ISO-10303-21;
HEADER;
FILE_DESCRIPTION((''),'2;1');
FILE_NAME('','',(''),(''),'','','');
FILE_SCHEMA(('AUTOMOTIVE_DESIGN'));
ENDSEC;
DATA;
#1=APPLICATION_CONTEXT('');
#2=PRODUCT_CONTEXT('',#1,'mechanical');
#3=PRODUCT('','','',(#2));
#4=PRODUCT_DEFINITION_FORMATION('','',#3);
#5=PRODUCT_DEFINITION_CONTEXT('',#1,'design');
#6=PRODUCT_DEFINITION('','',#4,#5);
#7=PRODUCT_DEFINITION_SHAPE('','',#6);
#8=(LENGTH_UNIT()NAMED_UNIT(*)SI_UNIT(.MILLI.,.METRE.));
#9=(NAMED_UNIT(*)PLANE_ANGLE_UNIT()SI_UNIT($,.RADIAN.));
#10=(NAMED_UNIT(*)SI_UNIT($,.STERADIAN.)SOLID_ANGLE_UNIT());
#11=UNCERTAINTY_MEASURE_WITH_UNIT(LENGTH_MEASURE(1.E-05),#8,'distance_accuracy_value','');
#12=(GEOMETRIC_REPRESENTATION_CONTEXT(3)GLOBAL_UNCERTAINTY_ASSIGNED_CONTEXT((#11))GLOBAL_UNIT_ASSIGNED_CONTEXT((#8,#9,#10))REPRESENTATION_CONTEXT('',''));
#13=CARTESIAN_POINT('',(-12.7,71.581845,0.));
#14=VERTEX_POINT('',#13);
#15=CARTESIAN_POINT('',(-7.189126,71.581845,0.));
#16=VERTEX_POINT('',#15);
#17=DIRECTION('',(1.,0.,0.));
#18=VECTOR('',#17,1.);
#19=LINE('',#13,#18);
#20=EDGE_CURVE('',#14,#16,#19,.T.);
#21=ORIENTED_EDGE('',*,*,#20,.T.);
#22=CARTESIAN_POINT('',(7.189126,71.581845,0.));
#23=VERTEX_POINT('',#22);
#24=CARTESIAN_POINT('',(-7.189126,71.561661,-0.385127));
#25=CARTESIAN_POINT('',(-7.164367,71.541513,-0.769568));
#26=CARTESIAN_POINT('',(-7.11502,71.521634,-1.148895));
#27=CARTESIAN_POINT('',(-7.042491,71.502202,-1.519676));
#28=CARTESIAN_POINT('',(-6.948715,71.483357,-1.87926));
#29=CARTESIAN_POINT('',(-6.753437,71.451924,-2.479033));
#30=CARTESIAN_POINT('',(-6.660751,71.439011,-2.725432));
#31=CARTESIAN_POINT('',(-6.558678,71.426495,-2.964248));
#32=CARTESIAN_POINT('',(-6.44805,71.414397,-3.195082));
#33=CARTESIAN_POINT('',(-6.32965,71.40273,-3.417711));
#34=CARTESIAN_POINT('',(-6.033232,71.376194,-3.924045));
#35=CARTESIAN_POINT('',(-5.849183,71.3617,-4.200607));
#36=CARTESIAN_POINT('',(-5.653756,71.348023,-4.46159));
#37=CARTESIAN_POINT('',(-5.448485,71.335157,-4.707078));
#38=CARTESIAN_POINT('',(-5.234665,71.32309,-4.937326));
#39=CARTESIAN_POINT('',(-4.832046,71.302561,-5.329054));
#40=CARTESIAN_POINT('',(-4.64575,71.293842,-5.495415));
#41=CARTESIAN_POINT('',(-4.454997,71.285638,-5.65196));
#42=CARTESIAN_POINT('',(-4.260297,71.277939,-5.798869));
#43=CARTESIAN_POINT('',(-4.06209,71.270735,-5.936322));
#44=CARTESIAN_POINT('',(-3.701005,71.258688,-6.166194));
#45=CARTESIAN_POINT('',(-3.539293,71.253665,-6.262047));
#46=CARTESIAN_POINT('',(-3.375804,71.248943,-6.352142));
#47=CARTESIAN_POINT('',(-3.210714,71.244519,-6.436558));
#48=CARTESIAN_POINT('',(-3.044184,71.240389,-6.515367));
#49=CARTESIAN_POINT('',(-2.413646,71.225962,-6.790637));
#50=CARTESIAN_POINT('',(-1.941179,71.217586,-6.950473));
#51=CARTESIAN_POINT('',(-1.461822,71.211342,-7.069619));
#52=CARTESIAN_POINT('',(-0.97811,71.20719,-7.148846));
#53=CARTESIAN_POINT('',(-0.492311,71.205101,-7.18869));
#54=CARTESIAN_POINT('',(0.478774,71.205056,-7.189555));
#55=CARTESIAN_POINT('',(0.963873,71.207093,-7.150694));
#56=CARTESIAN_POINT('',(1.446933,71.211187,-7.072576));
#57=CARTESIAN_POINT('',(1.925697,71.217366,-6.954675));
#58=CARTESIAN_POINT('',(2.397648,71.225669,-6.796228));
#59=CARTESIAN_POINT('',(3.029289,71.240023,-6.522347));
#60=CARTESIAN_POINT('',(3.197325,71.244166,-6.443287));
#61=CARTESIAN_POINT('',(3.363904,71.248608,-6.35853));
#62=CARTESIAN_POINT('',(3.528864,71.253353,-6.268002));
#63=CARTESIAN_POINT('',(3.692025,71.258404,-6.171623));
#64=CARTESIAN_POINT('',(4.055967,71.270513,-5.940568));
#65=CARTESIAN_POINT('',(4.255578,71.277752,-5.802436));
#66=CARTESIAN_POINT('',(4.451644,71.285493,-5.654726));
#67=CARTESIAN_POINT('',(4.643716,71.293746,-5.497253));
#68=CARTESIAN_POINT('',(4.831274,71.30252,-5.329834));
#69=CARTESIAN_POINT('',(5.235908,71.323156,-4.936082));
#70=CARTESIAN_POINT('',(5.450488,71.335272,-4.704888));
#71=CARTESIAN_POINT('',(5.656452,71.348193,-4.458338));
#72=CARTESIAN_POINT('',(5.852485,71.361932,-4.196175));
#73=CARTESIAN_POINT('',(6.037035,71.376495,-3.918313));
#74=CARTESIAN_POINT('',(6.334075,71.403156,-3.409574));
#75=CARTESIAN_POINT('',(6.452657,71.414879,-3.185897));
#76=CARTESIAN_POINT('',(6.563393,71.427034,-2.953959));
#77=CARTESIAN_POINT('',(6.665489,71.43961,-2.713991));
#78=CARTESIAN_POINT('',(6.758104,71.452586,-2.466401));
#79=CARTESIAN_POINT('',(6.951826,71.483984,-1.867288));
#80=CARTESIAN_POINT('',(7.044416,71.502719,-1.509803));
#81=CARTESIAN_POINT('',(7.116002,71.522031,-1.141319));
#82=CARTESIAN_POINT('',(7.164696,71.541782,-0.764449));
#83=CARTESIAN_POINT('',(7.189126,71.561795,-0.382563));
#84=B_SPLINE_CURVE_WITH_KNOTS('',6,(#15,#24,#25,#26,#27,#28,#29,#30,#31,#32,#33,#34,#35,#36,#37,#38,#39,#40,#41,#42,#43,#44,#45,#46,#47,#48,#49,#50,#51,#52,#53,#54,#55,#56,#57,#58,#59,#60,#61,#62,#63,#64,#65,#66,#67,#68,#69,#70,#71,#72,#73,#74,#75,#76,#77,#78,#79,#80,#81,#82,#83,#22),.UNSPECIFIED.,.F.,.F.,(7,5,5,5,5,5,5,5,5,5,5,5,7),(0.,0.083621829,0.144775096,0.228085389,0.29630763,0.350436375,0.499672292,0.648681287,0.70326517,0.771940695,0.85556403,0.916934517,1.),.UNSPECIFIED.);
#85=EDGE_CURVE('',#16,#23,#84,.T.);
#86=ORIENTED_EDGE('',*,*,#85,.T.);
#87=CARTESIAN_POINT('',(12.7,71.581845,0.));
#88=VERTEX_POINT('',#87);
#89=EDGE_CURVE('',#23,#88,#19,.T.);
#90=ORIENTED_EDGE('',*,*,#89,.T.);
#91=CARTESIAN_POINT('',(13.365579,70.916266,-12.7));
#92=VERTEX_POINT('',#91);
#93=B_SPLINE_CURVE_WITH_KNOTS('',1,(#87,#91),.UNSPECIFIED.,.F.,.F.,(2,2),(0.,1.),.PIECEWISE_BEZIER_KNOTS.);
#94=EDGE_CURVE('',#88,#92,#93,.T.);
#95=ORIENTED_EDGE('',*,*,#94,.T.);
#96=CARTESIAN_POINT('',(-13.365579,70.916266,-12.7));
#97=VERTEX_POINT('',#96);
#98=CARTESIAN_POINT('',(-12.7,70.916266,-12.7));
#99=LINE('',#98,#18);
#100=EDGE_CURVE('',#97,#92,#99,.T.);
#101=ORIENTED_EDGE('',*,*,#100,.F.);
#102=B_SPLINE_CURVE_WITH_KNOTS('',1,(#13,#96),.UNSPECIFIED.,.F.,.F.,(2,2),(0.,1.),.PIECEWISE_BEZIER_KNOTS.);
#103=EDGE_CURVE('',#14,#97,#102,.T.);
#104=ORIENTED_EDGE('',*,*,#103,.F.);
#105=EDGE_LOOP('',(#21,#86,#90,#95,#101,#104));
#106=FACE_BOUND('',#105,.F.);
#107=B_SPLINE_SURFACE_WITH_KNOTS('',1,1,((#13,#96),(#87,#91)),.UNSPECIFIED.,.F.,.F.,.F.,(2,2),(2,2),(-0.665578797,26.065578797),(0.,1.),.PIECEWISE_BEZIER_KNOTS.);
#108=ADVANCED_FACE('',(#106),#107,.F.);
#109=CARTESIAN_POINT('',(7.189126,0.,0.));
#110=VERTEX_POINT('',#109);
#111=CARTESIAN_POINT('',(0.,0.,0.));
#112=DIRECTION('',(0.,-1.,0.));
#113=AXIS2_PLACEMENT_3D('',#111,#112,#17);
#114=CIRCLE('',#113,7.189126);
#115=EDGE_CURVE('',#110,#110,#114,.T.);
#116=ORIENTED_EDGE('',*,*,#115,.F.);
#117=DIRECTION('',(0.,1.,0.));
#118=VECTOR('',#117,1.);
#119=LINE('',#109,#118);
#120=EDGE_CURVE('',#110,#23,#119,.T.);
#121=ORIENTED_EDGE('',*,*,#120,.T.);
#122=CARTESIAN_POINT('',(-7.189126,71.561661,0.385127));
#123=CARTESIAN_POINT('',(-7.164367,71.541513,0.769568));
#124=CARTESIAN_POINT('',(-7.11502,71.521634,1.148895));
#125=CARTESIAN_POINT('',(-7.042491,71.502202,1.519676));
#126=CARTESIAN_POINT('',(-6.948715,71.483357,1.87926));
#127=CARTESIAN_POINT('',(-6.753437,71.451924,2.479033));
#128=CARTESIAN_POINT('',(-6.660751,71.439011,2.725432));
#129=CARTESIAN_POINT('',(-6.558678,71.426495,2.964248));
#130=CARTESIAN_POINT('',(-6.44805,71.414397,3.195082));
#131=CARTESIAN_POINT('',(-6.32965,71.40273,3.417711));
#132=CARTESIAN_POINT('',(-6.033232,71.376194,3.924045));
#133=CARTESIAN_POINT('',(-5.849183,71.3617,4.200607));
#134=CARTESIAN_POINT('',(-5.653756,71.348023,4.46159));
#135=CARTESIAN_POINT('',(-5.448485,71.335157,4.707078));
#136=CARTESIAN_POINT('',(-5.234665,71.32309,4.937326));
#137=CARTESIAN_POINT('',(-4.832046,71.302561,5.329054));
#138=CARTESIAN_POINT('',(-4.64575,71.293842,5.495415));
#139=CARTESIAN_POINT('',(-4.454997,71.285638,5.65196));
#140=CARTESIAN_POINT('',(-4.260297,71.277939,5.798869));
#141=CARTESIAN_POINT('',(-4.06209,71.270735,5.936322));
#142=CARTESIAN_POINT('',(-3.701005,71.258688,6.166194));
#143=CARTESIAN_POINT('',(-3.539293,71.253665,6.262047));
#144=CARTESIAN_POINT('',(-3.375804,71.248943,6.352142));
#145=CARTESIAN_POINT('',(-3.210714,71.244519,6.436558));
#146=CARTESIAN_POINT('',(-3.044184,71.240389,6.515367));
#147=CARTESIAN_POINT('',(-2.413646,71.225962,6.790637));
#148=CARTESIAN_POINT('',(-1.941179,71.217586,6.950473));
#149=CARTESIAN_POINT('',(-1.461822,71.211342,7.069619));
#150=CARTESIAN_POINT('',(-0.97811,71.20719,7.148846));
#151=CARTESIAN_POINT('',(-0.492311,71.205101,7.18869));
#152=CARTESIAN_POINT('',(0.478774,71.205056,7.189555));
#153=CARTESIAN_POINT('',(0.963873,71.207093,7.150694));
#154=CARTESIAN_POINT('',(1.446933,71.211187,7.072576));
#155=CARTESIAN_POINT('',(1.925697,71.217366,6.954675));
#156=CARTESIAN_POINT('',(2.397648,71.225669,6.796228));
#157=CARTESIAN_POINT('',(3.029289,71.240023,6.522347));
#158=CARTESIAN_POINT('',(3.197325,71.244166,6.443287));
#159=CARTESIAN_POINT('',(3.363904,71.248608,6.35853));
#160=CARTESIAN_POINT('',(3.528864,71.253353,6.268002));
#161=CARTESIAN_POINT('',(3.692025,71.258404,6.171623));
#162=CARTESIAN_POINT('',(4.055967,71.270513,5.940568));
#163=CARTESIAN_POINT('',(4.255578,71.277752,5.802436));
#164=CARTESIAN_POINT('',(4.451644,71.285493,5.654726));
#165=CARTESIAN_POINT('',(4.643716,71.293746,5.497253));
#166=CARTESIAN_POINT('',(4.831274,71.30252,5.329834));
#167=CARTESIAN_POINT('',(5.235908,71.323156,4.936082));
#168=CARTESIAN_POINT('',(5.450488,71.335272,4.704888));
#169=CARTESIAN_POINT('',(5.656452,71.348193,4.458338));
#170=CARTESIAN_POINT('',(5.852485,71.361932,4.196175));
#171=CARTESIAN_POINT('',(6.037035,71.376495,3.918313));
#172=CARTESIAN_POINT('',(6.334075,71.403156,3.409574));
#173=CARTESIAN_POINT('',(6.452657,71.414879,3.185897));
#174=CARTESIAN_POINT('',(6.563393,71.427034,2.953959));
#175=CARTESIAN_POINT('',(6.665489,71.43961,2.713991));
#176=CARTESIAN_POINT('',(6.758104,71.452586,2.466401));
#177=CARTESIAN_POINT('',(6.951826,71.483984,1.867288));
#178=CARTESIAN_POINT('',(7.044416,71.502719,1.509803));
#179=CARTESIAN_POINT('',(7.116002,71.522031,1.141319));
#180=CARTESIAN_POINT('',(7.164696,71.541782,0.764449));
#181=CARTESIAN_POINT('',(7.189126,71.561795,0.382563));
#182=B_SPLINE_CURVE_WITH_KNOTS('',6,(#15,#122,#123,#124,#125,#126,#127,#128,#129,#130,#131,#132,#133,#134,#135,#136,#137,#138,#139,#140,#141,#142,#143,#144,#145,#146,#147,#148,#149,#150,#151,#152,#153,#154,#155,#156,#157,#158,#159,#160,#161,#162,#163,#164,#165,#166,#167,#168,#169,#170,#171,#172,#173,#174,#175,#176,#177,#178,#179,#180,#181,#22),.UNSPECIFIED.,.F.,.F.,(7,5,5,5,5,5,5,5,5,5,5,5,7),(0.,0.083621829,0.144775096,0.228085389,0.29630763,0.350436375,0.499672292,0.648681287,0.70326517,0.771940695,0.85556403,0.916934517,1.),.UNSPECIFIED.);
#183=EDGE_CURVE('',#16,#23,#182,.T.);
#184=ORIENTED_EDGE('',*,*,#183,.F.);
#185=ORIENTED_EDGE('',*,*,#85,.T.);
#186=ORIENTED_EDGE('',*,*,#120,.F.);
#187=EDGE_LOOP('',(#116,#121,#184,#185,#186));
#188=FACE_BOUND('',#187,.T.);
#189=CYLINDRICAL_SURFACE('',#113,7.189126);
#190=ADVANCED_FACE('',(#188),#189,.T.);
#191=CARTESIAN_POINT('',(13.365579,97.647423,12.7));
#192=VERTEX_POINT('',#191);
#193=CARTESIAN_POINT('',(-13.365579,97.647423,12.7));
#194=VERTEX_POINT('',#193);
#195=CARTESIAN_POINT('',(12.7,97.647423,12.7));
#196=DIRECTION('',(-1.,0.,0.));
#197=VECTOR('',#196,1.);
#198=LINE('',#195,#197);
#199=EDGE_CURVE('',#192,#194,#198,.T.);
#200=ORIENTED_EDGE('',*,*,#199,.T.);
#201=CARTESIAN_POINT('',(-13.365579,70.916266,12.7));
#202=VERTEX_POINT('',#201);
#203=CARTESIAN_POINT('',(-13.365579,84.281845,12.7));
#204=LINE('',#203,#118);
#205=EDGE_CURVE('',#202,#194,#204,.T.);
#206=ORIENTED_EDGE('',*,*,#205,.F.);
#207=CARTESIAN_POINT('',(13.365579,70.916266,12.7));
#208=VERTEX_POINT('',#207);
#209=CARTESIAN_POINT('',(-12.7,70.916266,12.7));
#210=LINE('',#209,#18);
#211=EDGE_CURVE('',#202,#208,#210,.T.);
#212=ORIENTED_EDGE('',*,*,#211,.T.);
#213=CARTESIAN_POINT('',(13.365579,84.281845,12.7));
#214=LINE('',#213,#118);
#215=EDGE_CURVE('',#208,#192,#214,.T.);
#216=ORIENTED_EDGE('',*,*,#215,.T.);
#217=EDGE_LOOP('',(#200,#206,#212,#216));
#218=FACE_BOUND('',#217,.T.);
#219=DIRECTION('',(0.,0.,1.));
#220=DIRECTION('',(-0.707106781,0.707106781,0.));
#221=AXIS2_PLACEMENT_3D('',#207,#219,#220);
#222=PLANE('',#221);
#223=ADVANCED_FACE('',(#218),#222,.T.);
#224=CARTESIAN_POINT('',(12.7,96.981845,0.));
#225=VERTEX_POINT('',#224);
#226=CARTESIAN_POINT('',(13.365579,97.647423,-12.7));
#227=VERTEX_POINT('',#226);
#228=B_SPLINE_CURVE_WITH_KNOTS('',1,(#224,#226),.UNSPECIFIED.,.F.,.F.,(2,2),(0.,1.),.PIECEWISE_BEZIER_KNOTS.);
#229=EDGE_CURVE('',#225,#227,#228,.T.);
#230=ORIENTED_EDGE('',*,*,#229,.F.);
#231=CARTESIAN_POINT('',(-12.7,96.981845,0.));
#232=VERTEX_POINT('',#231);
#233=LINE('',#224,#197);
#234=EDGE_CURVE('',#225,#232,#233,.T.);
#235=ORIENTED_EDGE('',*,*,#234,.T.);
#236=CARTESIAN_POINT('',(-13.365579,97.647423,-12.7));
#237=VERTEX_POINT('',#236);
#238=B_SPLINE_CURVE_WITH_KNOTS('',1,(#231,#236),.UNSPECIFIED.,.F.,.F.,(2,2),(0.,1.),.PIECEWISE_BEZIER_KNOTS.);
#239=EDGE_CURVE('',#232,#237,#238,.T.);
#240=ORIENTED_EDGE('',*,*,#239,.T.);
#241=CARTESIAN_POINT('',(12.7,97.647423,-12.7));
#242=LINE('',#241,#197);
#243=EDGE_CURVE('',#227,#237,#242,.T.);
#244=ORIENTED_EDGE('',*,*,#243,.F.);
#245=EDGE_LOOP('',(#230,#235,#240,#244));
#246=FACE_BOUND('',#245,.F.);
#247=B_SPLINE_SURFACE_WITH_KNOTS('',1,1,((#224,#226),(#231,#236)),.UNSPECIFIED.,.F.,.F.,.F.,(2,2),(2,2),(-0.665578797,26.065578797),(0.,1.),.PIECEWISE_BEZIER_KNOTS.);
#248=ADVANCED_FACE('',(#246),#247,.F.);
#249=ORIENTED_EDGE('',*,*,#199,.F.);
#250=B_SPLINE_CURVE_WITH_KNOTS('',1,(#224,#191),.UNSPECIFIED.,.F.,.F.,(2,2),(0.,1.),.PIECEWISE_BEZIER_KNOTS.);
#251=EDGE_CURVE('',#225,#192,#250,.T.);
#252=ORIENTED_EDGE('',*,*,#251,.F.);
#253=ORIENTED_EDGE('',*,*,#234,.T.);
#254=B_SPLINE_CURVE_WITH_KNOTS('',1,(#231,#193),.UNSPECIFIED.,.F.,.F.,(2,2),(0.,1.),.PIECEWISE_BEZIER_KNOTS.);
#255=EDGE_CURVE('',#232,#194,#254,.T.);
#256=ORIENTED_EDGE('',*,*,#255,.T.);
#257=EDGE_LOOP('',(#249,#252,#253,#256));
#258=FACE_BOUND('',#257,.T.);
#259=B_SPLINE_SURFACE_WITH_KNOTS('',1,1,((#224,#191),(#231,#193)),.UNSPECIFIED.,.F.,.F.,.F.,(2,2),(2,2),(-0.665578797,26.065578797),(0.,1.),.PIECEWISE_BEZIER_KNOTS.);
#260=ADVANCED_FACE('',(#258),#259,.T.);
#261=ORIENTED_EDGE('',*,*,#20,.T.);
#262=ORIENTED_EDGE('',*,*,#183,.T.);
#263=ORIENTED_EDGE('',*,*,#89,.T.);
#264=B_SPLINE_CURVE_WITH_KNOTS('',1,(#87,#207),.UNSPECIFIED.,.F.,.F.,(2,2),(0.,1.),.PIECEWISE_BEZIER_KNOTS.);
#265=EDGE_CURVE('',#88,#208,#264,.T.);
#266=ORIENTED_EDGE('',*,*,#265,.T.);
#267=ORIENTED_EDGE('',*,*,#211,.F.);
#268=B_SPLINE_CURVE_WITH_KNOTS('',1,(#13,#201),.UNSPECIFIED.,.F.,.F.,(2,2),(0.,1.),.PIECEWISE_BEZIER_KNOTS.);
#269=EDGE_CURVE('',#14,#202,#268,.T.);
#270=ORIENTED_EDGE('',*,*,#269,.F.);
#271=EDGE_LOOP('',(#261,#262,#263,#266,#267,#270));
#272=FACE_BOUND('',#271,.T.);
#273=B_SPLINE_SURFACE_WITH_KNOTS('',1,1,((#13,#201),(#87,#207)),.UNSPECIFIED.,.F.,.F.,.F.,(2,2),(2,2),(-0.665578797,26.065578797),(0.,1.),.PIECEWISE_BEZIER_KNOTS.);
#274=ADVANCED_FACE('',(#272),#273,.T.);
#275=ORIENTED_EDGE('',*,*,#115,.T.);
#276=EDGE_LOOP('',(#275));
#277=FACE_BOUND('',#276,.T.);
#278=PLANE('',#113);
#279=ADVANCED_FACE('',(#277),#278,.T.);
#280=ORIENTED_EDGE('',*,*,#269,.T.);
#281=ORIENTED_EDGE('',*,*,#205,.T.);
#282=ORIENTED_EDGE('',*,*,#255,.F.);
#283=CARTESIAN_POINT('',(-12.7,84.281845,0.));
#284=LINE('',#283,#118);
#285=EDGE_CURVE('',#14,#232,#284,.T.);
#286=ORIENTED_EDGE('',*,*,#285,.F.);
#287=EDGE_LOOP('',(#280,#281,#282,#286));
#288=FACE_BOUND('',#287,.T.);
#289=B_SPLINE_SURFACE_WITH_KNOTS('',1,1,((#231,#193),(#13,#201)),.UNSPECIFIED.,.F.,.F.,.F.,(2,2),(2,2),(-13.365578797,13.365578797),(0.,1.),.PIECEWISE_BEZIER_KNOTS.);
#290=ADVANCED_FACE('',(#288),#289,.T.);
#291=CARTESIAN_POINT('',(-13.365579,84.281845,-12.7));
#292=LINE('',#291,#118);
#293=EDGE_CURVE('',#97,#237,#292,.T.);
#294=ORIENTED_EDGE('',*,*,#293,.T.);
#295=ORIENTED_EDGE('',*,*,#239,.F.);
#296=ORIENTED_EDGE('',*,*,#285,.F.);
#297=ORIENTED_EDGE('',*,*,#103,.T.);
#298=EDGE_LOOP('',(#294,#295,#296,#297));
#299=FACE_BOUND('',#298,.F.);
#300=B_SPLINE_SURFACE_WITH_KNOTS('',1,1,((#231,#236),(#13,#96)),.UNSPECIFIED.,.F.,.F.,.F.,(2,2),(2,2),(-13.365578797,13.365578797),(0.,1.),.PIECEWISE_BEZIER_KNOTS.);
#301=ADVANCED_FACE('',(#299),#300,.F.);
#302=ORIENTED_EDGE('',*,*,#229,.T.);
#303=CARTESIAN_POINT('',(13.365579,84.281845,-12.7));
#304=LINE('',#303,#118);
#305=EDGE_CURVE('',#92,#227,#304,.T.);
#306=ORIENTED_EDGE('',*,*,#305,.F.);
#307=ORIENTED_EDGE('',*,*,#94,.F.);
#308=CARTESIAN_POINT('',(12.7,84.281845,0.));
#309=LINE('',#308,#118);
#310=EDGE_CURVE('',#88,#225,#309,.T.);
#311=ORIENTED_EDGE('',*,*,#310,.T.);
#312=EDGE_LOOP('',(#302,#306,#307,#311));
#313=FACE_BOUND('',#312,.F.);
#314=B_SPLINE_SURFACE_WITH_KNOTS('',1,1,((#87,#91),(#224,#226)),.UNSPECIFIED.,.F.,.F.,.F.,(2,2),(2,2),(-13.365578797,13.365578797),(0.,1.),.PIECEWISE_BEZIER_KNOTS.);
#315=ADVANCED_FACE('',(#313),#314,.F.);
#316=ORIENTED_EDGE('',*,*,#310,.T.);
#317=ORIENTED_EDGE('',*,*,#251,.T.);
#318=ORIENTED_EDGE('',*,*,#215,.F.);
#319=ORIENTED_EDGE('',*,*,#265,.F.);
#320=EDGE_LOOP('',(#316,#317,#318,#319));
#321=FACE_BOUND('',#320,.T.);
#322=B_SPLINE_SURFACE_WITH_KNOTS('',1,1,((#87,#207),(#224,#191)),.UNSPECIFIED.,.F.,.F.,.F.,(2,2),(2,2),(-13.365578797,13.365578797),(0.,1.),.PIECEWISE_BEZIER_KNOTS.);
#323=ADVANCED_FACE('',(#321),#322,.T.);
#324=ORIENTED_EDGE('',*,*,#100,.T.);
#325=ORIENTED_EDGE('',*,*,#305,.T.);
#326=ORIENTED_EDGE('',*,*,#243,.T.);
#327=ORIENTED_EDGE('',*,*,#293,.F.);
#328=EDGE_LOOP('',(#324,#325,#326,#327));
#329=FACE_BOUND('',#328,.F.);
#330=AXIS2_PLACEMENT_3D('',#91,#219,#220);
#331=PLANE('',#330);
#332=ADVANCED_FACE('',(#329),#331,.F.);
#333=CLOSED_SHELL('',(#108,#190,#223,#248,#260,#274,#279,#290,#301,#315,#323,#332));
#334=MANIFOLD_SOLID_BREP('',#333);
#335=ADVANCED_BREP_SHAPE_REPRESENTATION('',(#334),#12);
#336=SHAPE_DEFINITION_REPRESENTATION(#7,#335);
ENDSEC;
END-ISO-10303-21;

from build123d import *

# Parameters (mm, degrees)
F0_W     = 12.7
F0_H     = 25.4
F1_DEPTH = 12.7
F1_TAPER = -3
F2_R     = 7.189125638


with BuildPart() as f1:
    # F0 (on Top) → F1 (new body, symmetric)
    with BuildSketch(Plane.XY):
        with Locations((6.35, 84.2818446611)):
            Rectangle(F0_W, F0_H)
        with Locations((-6.35, 84.2818446611)):
            Rectangle(F0_W, F0_H)
    extrude(amount=F1_DEPTH, both=True, taper=F1_TAPER)

    # F2 (on Front) → F3 (join, up to the next surface of F1)
    with BuildSketch(Plane.XZ):
        Circle(F2_R)
    extrude(until=Until.NEXT, dir=(0, 1, 0))


solid = f1.part
